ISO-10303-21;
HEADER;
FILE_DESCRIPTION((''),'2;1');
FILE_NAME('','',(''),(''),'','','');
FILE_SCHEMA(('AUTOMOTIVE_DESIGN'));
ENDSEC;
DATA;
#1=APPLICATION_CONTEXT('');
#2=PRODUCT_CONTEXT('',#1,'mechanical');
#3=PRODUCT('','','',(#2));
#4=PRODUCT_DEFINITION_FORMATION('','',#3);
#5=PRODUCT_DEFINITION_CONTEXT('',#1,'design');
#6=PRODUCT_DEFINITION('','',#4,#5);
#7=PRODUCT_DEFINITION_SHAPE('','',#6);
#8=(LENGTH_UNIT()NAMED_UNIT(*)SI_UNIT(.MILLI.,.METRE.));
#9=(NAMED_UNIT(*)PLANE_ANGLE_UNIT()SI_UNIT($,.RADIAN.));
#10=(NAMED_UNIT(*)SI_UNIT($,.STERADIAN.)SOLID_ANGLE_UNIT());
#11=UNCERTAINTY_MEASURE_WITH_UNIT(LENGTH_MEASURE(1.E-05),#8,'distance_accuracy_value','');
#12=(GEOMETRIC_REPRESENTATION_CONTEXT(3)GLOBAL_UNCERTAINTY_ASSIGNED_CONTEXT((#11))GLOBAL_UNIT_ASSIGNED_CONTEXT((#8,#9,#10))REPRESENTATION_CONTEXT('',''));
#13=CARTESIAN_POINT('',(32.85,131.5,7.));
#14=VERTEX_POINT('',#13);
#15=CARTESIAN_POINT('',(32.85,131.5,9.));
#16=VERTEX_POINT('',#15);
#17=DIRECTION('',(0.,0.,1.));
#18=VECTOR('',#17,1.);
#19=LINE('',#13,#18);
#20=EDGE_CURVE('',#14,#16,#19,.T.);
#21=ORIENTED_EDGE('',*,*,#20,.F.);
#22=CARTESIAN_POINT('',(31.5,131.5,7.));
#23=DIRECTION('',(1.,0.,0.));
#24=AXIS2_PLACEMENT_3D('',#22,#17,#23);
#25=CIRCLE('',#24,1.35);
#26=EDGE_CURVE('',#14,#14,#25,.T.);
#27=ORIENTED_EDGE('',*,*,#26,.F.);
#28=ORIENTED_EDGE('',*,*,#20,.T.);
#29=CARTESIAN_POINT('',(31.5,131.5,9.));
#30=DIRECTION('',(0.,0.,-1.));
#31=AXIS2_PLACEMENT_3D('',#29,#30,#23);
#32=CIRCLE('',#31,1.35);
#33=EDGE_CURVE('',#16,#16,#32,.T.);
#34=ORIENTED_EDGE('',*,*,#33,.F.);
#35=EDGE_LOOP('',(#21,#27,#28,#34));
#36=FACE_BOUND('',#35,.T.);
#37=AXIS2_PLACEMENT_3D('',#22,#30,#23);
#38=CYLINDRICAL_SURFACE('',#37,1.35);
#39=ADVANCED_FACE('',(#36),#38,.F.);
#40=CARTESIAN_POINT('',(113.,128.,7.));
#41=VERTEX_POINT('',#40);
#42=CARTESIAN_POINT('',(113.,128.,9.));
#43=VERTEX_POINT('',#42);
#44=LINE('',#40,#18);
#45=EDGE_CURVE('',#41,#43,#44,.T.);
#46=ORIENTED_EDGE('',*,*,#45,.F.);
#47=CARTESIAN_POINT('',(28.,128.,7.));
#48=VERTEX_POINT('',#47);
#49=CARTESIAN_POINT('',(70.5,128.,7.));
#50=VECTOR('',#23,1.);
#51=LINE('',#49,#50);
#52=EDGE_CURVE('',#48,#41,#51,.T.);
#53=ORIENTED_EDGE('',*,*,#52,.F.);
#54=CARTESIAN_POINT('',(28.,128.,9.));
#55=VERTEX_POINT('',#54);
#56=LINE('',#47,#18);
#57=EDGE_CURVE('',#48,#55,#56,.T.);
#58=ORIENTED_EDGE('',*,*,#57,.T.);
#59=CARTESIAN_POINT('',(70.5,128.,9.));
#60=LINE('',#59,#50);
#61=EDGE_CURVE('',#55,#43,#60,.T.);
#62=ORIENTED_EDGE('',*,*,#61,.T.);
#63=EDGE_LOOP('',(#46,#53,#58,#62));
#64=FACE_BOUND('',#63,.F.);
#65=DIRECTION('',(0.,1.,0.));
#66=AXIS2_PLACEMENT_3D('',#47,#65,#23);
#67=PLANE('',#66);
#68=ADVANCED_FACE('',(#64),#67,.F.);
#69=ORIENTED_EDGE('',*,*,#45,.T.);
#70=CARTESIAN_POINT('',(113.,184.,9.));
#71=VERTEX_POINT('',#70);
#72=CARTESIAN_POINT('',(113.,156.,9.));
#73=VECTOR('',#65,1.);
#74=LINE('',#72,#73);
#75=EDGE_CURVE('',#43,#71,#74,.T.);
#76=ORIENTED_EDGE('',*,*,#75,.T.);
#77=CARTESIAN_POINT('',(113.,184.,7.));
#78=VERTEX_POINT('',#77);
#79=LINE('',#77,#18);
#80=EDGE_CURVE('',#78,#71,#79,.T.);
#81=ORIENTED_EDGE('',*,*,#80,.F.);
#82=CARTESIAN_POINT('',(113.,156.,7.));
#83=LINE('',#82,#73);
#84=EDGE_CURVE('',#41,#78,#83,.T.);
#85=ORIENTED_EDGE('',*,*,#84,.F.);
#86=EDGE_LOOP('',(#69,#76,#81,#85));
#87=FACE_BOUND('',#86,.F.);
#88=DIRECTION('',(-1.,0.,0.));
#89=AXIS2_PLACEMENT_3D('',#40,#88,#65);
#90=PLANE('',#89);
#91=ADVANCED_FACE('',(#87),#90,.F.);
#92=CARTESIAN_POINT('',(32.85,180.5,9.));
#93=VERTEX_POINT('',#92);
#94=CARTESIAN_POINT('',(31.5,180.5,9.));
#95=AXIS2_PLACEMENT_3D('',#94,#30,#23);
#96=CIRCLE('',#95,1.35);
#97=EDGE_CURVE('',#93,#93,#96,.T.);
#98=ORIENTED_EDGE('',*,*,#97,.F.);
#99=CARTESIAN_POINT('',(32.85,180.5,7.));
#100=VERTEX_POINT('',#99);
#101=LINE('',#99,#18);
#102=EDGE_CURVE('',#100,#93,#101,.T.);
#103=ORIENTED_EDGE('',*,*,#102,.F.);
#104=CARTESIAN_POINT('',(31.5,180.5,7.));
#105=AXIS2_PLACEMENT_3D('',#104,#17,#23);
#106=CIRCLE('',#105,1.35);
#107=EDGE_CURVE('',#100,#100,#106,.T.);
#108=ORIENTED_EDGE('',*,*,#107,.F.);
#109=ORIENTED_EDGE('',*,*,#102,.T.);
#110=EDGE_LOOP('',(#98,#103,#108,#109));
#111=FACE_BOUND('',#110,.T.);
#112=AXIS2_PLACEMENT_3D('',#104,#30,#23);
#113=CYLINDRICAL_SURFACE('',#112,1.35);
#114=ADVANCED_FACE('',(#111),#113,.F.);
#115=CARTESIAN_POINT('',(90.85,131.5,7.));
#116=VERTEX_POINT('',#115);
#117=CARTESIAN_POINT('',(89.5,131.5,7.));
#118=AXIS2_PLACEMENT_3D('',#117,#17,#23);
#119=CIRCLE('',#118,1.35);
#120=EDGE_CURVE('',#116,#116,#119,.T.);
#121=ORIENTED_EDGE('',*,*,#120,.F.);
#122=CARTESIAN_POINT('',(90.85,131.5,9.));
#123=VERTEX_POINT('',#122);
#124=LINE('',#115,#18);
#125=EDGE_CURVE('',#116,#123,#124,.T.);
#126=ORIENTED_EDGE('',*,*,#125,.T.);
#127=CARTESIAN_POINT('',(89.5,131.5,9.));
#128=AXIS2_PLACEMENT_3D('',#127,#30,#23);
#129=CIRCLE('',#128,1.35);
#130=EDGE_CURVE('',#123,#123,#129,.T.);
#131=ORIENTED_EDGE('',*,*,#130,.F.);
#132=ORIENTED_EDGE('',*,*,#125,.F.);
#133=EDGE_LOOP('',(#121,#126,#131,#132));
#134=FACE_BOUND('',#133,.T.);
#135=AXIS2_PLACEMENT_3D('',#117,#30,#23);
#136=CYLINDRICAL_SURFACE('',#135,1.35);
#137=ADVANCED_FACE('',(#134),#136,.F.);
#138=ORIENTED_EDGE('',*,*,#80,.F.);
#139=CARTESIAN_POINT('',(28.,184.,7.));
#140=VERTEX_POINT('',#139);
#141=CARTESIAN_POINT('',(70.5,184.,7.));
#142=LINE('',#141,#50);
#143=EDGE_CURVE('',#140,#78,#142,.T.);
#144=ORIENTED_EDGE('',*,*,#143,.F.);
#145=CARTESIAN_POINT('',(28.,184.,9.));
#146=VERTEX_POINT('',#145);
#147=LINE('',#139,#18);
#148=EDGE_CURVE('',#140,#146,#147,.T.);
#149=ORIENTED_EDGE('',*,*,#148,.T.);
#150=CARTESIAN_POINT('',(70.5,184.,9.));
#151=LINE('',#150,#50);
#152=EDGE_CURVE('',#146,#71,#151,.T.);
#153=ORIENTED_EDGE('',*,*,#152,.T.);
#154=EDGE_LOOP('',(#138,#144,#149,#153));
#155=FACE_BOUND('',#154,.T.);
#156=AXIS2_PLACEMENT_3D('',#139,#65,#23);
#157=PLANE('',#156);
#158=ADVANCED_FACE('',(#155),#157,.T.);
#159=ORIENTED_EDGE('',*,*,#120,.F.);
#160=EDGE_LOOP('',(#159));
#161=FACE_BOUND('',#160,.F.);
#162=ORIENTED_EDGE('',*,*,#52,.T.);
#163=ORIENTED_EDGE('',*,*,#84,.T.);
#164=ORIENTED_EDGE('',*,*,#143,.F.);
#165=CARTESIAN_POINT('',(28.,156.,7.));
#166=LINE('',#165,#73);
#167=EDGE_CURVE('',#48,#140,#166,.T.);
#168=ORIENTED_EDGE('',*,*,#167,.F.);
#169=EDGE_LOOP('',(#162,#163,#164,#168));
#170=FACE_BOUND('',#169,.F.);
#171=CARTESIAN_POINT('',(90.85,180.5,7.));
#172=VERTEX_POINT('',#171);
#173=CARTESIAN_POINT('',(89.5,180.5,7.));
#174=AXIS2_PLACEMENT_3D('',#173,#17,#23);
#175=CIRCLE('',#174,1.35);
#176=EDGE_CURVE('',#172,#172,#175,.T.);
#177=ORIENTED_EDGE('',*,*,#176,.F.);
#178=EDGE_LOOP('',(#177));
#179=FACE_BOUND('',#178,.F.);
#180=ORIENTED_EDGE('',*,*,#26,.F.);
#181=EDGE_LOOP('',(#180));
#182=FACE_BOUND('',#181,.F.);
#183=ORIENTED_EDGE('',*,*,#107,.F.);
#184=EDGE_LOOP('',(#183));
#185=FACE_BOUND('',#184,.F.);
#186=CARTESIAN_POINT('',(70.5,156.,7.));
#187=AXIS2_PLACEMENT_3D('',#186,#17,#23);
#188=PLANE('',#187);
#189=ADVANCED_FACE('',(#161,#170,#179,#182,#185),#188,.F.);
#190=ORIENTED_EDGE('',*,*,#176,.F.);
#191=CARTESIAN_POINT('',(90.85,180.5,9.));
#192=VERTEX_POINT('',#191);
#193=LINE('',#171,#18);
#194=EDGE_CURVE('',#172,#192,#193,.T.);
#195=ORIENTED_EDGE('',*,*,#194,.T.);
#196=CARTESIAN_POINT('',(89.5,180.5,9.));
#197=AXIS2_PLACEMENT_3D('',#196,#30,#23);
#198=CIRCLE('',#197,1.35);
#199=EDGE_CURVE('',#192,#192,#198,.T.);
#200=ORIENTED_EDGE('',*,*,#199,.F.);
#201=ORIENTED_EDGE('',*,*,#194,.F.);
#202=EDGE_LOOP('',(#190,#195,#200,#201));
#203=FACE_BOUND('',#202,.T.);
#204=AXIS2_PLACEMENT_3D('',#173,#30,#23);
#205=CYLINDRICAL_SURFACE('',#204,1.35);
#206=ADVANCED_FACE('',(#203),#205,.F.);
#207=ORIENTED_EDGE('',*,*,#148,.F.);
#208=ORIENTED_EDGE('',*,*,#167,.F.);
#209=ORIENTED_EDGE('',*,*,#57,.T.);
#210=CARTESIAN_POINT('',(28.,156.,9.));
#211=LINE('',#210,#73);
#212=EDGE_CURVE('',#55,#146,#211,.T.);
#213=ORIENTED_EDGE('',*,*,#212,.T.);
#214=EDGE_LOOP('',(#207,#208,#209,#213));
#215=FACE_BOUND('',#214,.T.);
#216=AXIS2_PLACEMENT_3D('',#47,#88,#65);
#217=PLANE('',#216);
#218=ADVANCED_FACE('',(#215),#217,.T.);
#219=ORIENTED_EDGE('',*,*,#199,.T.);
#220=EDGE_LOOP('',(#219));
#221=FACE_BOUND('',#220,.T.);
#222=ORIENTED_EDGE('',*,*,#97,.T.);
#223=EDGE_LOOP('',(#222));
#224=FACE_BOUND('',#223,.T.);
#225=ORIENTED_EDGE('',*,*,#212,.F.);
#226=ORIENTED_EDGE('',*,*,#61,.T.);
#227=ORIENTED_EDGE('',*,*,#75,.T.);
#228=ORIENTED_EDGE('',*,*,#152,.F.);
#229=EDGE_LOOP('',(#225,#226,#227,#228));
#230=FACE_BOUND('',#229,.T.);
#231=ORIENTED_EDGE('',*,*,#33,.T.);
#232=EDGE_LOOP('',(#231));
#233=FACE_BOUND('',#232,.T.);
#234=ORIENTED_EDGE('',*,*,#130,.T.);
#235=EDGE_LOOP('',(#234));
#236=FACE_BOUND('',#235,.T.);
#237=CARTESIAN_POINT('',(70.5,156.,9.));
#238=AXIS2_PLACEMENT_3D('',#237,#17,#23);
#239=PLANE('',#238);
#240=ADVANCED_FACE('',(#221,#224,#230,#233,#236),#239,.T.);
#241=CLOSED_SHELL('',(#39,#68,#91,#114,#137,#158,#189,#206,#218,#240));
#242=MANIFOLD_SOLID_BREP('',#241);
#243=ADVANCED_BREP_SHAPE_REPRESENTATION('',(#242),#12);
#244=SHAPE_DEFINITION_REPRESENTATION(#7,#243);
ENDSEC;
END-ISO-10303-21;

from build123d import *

# Parameters (mm, degrees)
CYLINDER014_R     = 1.35
CYLINDER014_DEPTH = 10
CYLINDER013_R     = 1.35
CYLINDER013_DEPTH = 10
CYLINDER012_R     = 1.35
CYLINDER012_DEPTH = 10
CYLINDER015_R     = 1.35
CYLINDER015_DEPTH = 10
BOX009_W          = 85
BOX009_H          = 56
BOX009_DEPTH      = 2


with BuildPart() as cylinder014:
    # Cylinder014 → Cylinder014 (new body)
    with BuildSketch(Plane(origin=(61.5, 52.5, 0), x_dir=(1, 0, 0), z_dir=(0, 0, 1))):
        Circle(CYLINDER014_R)
    extrude(amount=CYLINDER014_DEPTH)


with BuildPart() as cylinder013:
    # Cylinder013 → Cylinder013 (new body)
    with BuildSketch(Plane(origin=(3.5, 52.5, 0), x_dir=(1, 0, 0), z_dir=(0, 0, 1))):
        Circle(CYLINDER013_R)
    extrude(amount=CYLINDER013_DEPTH)


with BuildPart() as cylinder012:
    # Cylinder012 → Cylinder012 (new body)
    with BuildSketch(Plane(origin=(3.5, 3.5, 0), x_dir=(1, 0, 0), z_dir=(0, 0, 1))):
        Circle(CYLINDER012_R)
    extrude(amount=CYLINDER012_DEPTH)


with BuildPart() as fusion010004007010:
    # Cylinder015 → Cylinder015 (new body)
    with BuildSketch(Plane(origin=(61.5, 3.5, 0), x_dir=(1, 0, 0), z_dir=(0, 0, 1))):
        Circle(CYLINDER015_R)
    extrude(amount=CYLINDER015_DEPTH)

    # Fusion010004007010: union Cylinder014, Cylinder013, Cylinder012
    add(cylinder014.part)
    add(cylinder013.part)
    add(cylinder012.part)


with BuildPart() as pi_pref:
    # Box009 → Box009 (new body)
    with BuildSketch(Plane.XY):
        with Locations((42.5, 28)):
            Rectangle(BOX009_W, BOX009_H)
    extrude(amount=BOX009_DEPTH)

    # Cut003002002: cut Fusion010004007010
    add(fusion010004007010.part, mode=Mode.SUBTRACT)


with BuildPart() as pi_pref_1:
    # Cut003002002 placement: moved
    add(pi_pref.part.moved(Location((28, 128, 7))))


solid = pi_pref_1.part
